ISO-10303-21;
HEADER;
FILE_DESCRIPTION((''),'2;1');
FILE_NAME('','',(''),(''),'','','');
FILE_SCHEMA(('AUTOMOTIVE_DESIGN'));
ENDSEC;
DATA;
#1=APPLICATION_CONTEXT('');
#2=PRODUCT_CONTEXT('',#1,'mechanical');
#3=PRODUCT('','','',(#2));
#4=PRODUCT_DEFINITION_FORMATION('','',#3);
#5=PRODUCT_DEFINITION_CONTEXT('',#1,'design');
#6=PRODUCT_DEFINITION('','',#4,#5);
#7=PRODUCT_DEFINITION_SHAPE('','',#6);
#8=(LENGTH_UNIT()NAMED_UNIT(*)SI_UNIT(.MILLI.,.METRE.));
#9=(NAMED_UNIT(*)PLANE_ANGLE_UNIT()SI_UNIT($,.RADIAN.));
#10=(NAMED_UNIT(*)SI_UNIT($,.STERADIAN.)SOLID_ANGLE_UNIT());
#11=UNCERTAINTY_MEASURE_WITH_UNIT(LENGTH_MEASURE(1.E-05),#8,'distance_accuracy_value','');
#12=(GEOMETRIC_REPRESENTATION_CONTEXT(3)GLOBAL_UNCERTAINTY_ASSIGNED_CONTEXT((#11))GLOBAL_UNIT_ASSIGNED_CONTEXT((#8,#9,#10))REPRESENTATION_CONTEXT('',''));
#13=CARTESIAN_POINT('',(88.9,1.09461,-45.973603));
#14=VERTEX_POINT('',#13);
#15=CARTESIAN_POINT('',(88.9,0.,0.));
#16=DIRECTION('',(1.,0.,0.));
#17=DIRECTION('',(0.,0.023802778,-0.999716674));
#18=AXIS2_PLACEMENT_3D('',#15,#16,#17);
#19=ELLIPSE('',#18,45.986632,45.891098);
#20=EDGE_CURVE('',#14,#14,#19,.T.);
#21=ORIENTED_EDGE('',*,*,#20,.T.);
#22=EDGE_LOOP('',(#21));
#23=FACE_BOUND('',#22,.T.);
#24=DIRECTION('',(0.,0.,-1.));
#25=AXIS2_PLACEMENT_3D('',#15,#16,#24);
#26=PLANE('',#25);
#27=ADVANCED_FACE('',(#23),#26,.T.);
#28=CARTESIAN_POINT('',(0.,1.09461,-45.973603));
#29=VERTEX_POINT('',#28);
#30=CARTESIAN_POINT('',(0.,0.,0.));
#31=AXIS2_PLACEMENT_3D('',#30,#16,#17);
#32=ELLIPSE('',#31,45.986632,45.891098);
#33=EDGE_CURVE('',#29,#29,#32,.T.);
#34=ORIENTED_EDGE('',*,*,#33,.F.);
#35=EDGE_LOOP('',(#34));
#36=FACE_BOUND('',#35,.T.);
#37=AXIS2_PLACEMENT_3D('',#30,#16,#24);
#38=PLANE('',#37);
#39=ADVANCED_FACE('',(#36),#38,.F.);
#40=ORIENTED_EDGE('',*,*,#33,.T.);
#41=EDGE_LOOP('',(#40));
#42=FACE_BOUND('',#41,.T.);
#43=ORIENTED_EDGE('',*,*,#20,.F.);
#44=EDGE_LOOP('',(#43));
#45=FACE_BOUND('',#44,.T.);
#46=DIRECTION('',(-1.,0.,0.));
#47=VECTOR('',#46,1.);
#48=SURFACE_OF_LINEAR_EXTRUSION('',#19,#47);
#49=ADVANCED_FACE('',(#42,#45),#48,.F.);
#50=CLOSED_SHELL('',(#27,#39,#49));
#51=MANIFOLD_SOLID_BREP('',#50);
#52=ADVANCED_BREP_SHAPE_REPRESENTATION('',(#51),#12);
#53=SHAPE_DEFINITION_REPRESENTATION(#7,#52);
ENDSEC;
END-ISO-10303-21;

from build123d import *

# Parameters (mm, degrees)
SKETCH1_RX          = 45.986632499
SKETCH1_RY          = 45.891098418
BOSS_EXTRUDE1_DEPTH = 88.9


with BuildPart() as part:
    # Sketch1 → Boss-Extrude1 (new body)
    with BuildSketch(Plane(origin=(0, 0, 0), x_dir=(0, 0, -1), z_dir=(1, 0, 0))):
        with Locations(Location((0, 0), (0, 0, 1.363927532))):
            Ellipse(SKETCH1_RX, SKETCH1_RY)
    extrude(amount=BOSS_EXTRUDE1_DEPTH)


solid = part.part
